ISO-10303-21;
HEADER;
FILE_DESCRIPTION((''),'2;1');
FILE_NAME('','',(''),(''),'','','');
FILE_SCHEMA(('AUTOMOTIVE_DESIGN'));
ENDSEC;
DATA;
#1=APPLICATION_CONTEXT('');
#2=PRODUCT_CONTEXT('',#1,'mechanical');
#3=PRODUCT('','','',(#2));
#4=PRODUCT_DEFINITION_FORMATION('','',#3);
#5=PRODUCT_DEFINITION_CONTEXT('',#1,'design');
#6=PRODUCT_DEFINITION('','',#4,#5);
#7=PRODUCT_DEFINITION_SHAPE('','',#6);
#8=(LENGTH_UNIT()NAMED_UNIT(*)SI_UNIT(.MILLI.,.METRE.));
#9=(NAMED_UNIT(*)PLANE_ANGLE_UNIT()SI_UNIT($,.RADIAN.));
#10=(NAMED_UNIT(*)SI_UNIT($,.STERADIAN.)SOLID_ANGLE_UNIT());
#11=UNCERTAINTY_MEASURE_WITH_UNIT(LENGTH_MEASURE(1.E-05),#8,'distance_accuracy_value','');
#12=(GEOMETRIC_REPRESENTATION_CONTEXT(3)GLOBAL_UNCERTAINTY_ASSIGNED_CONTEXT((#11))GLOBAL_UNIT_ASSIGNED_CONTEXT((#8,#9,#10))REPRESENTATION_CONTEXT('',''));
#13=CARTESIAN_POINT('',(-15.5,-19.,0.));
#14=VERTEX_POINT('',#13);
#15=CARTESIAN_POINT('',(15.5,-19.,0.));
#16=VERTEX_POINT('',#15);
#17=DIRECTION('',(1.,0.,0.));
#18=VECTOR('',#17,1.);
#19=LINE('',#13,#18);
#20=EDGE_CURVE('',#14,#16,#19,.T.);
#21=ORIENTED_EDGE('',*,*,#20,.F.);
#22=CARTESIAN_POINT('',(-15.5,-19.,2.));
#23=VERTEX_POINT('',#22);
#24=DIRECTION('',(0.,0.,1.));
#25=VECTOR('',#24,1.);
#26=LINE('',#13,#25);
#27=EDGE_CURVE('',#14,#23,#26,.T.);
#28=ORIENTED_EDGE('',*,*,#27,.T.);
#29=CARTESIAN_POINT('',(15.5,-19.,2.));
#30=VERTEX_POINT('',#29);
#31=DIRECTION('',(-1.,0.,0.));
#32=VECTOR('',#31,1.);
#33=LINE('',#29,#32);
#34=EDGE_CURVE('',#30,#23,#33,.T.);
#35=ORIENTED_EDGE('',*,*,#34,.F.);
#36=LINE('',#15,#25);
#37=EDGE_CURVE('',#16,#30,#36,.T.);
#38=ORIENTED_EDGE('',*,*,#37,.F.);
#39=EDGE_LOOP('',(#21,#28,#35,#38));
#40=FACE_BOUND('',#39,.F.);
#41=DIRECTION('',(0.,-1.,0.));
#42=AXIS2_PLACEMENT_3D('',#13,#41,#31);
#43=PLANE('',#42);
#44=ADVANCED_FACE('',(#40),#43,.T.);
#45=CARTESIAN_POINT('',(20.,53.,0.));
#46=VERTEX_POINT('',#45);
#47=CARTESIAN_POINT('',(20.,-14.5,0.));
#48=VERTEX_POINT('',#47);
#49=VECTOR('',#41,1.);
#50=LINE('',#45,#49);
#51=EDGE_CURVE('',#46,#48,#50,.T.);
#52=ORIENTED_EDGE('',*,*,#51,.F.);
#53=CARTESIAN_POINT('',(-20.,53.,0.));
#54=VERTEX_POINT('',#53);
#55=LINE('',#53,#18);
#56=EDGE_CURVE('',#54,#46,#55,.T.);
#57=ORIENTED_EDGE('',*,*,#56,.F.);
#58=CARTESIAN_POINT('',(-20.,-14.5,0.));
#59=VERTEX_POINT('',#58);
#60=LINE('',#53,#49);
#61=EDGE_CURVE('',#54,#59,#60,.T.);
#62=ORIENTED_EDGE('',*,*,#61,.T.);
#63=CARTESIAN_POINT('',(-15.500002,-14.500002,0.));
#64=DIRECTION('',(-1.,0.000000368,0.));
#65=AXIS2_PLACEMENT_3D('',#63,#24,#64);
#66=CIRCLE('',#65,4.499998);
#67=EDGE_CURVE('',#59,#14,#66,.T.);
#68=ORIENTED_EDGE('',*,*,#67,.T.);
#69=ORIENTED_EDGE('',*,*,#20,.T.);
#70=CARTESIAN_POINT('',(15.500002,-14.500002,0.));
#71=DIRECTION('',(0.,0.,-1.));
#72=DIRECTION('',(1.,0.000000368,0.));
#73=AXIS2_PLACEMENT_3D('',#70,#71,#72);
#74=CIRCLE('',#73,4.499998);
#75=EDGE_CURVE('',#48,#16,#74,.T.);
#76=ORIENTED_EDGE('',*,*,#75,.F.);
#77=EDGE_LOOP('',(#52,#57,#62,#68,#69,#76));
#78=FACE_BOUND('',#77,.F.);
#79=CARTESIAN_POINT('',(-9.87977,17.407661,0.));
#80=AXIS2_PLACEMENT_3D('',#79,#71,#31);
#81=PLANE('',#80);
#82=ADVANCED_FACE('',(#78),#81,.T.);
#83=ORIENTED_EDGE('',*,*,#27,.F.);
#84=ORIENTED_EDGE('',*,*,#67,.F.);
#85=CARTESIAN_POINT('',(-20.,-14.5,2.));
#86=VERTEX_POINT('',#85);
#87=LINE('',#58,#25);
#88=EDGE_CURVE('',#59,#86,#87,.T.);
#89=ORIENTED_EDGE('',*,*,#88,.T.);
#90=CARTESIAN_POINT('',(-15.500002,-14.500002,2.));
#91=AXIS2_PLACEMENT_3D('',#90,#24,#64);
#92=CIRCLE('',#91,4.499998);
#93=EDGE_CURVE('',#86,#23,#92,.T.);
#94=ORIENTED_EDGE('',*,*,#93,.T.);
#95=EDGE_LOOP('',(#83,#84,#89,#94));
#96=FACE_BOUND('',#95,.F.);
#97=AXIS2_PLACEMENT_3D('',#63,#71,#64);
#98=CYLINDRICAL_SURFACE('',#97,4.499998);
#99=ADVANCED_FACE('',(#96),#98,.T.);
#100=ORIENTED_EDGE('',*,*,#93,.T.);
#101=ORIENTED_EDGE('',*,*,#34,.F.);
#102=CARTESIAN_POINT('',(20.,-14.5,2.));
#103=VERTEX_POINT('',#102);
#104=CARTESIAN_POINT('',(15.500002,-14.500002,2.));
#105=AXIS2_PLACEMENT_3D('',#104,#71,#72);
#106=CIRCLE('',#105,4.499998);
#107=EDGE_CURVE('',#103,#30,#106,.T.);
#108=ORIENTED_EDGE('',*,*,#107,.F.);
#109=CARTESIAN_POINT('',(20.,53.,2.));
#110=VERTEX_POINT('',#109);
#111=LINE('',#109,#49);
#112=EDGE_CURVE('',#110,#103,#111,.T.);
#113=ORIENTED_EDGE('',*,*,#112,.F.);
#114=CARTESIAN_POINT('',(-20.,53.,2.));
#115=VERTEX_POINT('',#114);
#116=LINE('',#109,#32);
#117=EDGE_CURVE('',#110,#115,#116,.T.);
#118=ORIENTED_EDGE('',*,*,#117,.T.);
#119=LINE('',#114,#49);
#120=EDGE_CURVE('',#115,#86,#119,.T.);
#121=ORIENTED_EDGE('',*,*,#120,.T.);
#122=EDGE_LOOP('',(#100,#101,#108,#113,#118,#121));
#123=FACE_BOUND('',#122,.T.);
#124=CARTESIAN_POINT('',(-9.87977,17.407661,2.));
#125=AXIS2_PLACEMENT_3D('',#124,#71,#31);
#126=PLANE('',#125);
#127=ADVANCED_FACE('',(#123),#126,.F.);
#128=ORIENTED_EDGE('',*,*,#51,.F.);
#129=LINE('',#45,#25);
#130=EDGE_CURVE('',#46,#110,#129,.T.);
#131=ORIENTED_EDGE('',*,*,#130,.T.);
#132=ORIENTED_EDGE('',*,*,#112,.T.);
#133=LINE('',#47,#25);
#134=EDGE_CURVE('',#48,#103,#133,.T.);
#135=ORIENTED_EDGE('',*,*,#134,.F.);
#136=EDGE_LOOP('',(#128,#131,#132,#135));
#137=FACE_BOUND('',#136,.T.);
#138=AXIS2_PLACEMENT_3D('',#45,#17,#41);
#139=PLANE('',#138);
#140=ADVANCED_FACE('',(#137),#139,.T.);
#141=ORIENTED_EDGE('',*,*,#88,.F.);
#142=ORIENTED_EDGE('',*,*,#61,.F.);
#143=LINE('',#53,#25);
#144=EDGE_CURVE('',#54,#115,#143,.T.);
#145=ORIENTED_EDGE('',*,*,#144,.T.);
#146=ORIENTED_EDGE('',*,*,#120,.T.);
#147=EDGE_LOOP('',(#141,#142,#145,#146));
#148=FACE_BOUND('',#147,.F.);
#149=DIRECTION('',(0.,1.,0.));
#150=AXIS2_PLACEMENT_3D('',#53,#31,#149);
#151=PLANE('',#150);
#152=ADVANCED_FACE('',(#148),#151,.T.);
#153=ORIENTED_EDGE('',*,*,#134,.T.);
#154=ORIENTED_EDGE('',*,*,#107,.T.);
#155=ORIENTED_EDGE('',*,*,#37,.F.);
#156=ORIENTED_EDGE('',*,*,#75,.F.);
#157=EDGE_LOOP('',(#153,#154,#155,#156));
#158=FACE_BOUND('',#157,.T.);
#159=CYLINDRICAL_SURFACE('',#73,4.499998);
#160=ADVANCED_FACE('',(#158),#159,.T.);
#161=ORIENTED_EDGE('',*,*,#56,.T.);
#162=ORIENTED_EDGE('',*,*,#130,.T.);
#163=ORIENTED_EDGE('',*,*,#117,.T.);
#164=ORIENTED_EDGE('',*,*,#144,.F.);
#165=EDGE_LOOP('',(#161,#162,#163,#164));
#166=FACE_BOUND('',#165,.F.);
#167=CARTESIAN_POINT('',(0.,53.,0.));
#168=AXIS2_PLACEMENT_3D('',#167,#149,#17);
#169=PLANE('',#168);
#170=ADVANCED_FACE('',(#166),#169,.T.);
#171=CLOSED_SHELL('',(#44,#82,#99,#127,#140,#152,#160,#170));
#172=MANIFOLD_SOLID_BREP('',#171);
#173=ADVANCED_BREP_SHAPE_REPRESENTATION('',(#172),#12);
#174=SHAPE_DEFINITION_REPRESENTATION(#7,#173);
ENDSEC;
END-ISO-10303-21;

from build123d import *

# Parameters (mm, degrees)
EXTRUDE_DEPTH = 2


with BuildPart() as illuminationlidcut:
    # Clone2D → Extrude (new body)
    with BuildSketch(Plane.XY):
        with BuildLine():
            Line((15.5, -19), (0, -19))
            Line((0, -19), (0, 53))
            Line((0, 53), (20, 53))
            Line((20, 53), (20, -14.5))
            ThreePointArc((20, -14.5), (18.681981, -17.681981), (15.5, -19))
        make_face()
    extrude(amount=EXTRUDE_DEPTH)


with BuildPart() as part_mirroring023004:
    # Part__Mirroring023004: instance of IlluminationLidCut
    add(illuminationlidcut.part.mirror(Plane(origin=(0, 0, 0), x_dir=(0, -1, 0), z_dir=(1, 0, 0))))


with BuildPart() as illuminationlidcut001:
    # Fusion004 base: copy of IlluminationLidCut
    add(illuminationlidcut.part)

    # Fusion004: union Part__Mirroring023004
    add(part_mirroring023004.part)


solid = illuminationlidcut001.part
